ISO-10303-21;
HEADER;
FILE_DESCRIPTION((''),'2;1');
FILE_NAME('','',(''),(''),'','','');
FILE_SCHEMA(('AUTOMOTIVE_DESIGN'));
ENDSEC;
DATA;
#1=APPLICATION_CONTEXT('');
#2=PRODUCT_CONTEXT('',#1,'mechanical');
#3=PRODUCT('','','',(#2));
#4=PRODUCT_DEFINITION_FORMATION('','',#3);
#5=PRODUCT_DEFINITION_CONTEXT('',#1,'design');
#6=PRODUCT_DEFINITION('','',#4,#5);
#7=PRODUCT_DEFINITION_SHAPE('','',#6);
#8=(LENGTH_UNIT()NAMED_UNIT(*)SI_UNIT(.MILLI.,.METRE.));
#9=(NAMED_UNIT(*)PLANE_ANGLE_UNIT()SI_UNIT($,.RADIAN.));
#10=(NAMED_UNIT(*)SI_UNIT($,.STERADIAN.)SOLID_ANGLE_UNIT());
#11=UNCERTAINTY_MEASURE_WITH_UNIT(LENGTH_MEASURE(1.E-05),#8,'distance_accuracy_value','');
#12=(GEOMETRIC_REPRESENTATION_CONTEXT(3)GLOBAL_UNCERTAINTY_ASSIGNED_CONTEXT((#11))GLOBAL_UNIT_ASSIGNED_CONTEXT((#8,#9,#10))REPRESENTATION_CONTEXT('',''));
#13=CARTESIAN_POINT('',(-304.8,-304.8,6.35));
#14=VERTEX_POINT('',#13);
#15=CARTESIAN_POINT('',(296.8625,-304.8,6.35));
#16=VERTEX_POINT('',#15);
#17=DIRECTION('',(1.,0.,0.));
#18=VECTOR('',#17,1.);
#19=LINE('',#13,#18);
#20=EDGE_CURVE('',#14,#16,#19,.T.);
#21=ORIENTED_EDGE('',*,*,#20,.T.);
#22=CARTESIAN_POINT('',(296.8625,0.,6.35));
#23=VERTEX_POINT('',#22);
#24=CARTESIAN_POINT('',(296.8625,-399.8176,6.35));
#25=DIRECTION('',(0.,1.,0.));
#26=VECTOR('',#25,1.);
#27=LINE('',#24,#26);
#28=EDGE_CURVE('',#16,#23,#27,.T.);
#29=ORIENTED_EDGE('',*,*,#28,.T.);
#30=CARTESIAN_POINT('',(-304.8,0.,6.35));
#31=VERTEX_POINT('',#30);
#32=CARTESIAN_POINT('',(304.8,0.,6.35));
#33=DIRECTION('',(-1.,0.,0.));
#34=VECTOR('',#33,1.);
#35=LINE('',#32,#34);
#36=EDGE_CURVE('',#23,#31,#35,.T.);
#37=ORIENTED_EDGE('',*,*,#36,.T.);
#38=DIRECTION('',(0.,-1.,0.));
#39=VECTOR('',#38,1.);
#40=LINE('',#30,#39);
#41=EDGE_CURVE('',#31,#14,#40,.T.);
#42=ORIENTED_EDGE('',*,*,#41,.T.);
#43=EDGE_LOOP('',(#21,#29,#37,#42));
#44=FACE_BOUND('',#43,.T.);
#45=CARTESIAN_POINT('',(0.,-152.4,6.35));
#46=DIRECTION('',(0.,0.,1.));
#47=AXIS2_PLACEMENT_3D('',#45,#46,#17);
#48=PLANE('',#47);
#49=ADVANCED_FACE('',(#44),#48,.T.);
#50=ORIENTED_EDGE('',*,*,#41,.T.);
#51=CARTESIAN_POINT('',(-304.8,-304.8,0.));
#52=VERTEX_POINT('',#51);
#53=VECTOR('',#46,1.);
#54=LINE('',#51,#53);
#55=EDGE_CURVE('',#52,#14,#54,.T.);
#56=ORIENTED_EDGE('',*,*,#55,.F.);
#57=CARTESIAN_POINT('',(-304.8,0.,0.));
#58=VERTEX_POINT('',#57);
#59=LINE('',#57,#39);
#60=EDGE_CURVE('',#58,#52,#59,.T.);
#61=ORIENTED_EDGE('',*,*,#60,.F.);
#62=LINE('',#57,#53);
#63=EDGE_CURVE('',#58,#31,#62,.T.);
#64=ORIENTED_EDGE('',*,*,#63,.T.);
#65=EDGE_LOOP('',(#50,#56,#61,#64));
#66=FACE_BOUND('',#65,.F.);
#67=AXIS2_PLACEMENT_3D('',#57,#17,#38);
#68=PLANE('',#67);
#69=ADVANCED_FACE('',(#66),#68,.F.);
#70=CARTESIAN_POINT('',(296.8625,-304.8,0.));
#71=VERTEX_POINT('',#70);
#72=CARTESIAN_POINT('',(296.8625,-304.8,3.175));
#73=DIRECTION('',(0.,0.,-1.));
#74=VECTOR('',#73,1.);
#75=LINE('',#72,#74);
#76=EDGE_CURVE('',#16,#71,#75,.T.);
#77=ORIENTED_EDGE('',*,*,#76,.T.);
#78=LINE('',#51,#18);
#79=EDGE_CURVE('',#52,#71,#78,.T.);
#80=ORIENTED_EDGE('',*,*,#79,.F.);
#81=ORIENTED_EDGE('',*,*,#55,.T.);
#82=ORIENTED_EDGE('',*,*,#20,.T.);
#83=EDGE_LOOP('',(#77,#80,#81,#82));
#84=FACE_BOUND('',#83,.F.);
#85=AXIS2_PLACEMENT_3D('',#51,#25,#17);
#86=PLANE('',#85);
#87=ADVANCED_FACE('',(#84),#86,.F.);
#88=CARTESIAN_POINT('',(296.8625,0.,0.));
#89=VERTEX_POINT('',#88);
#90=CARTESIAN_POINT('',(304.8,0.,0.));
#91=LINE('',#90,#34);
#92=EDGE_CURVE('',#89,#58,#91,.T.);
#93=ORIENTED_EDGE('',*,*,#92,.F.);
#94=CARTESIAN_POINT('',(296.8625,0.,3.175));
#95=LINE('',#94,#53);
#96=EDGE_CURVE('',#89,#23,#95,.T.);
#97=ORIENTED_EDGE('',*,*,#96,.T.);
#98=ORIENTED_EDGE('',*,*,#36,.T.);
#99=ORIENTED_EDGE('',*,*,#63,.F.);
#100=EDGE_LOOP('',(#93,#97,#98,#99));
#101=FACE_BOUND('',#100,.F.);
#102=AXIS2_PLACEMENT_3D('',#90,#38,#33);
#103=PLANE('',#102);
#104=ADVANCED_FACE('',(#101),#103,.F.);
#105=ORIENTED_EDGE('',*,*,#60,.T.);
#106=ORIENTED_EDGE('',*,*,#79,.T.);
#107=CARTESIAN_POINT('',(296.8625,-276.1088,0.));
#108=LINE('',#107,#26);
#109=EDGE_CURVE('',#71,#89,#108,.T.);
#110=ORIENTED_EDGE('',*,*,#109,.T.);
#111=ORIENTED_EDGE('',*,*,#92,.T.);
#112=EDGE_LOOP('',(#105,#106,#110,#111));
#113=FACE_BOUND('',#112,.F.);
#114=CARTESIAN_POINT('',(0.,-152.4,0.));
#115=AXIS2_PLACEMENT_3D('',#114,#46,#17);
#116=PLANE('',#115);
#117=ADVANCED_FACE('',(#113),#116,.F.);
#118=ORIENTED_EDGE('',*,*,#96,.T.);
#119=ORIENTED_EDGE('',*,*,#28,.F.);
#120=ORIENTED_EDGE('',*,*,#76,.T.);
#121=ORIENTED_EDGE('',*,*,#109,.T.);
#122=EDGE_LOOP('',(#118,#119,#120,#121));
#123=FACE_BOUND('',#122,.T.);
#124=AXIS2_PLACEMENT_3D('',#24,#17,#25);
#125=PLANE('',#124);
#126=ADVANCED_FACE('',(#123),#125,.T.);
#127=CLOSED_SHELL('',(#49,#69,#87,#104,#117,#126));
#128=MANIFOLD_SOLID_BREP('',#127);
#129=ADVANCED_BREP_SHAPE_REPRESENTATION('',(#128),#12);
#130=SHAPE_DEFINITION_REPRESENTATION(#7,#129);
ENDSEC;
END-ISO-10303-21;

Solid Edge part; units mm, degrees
sketch "Sketch1" plane through (0, 0, 0) normal (0, 0, 1) x (1, 0, 0)
  line L0 (-304.8, -304.8) -> (304.8, -304.8)
  line L1 (304.8, -304.8) -> (304.8, 0)
  line L2 (304.8, 0) -> (-304.8, 0)
  line L3 (-304.8, 0) -> (-304.8, -304.8)
  dimension "D1" = 609.6
  dimension "D2" = 304.8
extrude "Protrusion1" add sketch "Sketch1" along normal blind 6.35
extrude "Cutout1" [suppressed]
sketch "Sketch2" plane through (0, -152.4, 6.35) normal (0, 0, 1) x (0, 1, 0)
  line L0 (-247.4176, -296.8625) -> (303.9056, -296.8625)
  dimension "D1" = 7.9375
extrude "Cutout2" cut sketch "Sketch2" against normal through all material side at (296.9125, -124.156, 6.35)
properties material "Wood, Pine"
